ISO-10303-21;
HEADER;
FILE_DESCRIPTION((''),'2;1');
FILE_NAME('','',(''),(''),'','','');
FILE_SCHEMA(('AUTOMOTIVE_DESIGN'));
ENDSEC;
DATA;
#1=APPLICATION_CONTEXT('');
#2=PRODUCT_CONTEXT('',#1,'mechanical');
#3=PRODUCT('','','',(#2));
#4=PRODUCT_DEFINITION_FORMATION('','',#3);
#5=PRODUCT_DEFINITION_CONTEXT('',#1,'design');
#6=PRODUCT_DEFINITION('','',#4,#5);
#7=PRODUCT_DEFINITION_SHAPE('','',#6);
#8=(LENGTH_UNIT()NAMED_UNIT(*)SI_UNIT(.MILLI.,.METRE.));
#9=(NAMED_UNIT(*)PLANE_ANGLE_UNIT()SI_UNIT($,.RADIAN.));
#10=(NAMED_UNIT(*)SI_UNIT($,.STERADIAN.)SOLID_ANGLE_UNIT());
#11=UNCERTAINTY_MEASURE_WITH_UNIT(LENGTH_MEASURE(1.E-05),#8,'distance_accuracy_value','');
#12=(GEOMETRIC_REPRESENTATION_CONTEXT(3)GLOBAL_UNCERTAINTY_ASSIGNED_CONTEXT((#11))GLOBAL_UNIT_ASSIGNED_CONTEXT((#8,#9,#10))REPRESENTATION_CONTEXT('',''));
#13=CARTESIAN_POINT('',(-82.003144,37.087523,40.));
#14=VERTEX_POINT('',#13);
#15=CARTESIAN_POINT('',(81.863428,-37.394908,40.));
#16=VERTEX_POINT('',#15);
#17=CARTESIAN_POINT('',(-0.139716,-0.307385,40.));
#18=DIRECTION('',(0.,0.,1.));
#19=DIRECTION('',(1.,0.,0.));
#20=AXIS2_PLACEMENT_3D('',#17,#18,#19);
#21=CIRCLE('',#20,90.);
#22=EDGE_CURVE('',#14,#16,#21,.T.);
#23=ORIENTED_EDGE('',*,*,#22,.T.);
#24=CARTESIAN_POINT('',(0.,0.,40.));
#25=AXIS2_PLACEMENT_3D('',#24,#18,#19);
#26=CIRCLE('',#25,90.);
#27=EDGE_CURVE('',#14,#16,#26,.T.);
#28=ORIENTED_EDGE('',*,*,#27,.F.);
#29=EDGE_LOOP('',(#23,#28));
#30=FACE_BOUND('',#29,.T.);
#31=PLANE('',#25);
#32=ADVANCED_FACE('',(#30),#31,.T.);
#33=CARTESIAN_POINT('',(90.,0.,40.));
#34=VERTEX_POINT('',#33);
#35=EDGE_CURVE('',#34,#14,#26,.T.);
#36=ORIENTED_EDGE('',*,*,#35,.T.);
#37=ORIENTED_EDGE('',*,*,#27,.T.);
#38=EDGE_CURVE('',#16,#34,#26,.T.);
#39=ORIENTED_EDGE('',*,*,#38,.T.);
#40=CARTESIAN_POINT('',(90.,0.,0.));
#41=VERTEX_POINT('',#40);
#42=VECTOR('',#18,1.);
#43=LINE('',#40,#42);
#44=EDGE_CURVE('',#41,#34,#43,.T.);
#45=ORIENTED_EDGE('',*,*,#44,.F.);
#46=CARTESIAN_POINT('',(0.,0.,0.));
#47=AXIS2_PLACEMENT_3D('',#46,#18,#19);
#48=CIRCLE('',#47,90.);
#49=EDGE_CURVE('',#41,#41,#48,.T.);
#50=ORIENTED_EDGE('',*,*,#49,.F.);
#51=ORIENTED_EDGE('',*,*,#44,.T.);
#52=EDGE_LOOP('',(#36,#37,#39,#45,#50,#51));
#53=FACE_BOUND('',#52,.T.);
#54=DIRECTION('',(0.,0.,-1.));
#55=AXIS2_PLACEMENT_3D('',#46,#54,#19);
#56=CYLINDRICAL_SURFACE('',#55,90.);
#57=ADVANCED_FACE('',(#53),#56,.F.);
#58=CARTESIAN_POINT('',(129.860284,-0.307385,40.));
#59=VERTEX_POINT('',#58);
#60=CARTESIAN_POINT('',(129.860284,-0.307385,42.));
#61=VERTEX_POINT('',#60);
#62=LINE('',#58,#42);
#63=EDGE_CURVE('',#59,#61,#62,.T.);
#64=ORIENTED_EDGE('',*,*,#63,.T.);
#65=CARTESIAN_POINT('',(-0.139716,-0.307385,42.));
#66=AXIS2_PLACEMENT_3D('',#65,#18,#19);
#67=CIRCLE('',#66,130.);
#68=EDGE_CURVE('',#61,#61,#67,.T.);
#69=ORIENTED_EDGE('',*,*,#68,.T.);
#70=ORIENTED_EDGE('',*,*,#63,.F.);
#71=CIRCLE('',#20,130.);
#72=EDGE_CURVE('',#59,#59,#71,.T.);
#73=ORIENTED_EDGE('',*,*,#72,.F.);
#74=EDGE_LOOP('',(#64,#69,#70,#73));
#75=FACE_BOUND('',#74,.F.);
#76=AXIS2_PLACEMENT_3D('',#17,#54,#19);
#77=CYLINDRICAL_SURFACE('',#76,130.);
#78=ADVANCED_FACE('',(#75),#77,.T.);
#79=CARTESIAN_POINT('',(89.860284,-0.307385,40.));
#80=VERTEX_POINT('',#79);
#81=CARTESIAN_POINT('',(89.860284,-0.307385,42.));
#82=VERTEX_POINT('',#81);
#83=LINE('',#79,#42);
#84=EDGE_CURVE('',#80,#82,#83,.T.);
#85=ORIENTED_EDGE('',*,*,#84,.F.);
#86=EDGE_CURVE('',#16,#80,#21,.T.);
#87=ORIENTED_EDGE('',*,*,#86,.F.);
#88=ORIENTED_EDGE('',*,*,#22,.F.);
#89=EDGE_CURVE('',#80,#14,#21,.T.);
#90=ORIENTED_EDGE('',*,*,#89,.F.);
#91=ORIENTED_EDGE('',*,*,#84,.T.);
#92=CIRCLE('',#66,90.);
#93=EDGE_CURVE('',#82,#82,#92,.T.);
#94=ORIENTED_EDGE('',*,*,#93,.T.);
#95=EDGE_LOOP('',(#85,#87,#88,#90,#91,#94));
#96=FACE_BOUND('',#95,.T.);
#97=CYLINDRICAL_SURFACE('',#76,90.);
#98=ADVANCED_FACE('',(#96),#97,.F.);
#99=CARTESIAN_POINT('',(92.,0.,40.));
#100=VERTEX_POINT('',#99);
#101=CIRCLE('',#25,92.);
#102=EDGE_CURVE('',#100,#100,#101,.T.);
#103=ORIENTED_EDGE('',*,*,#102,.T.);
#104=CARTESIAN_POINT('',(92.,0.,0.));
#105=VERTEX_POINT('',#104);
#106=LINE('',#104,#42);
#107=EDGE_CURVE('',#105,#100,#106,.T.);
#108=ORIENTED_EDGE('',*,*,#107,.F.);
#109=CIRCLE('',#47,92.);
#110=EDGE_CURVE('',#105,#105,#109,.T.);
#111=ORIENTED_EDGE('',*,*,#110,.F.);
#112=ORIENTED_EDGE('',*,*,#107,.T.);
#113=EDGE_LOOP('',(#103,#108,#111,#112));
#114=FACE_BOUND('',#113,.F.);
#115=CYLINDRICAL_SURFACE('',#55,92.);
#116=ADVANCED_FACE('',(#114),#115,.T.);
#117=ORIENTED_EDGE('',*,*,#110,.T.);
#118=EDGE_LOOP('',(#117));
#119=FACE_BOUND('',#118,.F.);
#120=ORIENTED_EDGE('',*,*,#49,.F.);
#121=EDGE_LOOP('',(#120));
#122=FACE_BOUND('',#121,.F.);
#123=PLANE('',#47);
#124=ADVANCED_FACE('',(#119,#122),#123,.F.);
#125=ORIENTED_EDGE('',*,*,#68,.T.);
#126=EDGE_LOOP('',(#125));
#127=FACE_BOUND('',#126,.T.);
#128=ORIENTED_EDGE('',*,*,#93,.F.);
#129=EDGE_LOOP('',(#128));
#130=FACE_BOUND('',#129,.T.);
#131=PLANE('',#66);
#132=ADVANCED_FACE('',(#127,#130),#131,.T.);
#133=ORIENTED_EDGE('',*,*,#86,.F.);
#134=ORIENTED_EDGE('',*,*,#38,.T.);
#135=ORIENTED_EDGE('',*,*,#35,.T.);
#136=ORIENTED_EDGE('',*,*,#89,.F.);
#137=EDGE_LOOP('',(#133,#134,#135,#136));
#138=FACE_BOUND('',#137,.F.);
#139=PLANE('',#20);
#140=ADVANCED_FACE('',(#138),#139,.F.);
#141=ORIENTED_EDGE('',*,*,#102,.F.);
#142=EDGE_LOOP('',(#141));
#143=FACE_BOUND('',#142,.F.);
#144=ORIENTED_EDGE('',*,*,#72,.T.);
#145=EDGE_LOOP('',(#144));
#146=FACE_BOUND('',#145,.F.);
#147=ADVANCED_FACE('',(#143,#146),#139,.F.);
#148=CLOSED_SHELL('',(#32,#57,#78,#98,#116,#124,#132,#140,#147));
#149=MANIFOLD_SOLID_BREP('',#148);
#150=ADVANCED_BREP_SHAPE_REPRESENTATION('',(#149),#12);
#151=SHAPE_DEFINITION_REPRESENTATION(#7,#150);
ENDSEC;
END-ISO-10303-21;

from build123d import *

# Parameters (mm, degrees)
SKETCH_R      = 92
SKETCH_R_2    = 90
PAD_DEPTH     = 40
SKETCH001_R   = 130
SKETCH001_R_2 = 90
PAD001_DEPTH  = 2


with BuildPart() as part:
    # Sketch → Pad (new body)
    with BuildSketch(Plane.XY):
        Circle(SKETCH_R)
        Circle(SKETCH_R_2, mode=Mode.SUBTRACT)
    extrude(amount=PAD_DEPTH)

    # Sketch001 (on Face4 of Pad) → Pad001 (join)
    with BuildSketch(Plane.XY.offset(40)):
        with Locations((-0.139716, -0.307385)):
            Circle(SKETCH001_R)
        with Locations((-0.139716, -0.307385)):
            Circle(SKETCH001_R_2, mode=Mode.SUBTRACT)
    extrude(amount=PAD001_DEPTH)


solid = part.part
